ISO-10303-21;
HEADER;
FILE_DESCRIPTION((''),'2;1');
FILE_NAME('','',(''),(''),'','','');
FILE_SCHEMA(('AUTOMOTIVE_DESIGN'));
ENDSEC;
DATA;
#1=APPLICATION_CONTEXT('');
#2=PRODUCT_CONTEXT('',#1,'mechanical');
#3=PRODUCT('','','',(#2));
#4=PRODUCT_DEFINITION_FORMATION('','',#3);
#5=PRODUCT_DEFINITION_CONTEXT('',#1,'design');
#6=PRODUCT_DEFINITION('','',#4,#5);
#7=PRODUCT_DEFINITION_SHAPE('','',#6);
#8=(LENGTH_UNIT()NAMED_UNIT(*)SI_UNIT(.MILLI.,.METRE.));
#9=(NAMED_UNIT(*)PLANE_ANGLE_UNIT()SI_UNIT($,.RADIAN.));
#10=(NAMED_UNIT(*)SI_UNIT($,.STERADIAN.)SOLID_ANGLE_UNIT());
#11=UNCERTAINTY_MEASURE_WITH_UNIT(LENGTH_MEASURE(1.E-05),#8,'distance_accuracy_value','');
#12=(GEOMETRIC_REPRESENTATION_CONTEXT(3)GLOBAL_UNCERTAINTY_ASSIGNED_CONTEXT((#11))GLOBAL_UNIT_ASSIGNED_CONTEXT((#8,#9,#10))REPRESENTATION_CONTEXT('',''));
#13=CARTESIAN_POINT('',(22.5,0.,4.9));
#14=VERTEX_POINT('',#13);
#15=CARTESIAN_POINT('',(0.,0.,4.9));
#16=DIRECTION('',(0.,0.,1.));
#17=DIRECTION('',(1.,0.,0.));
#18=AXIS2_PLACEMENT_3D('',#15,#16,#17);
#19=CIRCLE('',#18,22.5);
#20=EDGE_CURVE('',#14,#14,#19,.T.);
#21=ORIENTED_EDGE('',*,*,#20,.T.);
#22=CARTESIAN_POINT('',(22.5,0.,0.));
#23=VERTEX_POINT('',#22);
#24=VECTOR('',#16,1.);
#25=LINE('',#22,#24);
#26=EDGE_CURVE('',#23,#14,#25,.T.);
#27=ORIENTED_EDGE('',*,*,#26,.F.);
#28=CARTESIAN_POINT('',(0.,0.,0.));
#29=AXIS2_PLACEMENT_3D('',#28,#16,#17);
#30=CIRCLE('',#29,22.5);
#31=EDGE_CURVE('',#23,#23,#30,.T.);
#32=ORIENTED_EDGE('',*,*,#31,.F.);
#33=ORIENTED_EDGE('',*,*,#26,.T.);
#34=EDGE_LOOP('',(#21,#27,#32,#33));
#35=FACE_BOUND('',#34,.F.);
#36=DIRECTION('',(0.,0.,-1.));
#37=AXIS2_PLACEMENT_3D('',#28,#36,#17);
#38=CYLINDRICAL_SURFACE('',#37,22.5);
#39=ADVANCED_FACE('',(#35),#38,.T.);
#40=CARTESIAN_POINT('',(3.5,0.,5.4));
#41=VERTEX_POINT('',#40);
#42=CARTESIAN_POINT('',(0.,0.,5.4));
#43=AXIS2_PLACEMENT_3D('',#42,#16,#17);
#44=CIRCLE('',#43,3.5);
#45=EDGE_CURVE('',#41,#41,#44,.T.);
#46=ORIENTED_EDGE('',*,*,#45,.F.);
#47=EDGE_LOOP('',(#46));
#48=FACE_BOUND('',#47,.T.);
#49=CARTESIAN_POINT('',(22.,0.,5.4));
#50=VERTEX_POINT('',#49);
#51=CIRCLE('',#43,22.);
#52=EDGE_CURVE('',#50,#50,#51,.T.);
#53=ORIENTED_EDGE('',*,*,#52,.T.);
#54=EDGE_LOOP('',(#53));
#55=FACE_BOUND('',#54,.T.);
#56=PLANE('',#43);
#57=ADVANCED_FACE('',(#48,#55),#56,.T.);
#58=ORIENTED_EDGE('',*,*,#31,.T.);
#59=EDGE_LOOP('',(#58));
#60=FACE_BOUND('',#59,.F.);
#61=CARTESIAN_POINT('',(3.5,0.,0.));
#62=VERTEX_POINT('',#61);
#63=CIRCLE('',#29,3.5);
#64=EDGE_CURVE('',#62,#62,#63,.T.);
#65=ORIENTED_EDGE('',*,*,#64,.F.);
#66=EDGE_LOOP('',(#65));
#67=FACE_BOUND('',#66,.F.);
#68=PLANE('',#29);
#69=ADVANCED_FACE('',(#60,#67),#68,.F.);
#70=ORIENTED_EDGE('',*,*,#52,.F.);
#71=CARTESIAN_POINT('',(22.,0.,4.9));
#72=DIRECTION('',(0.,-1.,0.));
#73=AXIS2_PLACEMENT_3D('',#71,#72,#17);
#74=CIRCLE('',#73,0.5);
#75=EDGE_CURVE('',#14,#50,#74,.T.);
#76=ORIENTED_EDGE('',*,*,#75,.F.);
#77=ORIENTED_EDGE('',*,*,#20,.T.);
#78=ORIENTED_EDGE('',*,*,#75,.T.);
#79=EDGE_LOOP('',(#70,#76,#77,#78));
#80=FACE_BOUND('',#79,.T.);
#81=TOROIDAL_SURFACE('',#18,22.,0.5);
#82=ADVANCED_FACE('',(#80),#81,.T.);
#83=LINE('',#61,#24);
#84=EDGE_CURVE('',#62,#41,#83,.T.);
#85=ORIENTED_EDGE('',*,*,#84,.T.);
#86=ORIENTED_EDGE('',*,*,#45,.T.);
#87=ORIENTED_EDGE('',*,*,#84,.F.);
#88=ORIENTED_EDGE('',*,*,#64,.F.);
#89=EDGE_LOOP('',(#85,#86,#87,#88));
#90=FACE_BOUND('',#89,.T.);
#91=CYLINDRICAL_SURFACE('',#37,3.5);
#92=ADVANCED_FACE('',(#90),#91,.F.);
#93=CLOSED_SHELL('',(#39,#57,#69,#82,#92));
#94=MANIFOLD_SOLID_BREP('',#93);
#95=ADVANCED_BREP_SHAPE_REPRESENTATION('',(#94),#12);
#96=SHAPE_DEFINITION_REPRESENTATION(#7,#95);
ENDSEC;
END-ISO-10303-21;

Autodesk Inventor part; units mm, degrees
ref_plane "YZ Plane" through (0, 0, 0) normal (1, 0, 0) x (0, 1, 0)
ref_plane "XZ Plane" through (0, 0, 0) normal (0, 1, 0) x (-1, 0, 0)
ref_plane "XY Plane" through (0, 0, 0) normal (0, 0, 1) x (1, 0, 0)
sketch "Sketch1" plane through (0, 0, 0) normal (0, 0, 1) x (1, 0, 0)
  circle A0 centre (0, 0) radius 22.5
  circle A1 centre (0, 0) radius 3.5
  dimension "d0" = 45
  dimension "d1" = 7
extrude "Extrusion1" add sketch "Sketch1" along normal blind 5.4
fillet "Fillet1" radius 0.5 1 edges at (-22.5, 0, 5.4)
properties part number "parafuso da polia"
